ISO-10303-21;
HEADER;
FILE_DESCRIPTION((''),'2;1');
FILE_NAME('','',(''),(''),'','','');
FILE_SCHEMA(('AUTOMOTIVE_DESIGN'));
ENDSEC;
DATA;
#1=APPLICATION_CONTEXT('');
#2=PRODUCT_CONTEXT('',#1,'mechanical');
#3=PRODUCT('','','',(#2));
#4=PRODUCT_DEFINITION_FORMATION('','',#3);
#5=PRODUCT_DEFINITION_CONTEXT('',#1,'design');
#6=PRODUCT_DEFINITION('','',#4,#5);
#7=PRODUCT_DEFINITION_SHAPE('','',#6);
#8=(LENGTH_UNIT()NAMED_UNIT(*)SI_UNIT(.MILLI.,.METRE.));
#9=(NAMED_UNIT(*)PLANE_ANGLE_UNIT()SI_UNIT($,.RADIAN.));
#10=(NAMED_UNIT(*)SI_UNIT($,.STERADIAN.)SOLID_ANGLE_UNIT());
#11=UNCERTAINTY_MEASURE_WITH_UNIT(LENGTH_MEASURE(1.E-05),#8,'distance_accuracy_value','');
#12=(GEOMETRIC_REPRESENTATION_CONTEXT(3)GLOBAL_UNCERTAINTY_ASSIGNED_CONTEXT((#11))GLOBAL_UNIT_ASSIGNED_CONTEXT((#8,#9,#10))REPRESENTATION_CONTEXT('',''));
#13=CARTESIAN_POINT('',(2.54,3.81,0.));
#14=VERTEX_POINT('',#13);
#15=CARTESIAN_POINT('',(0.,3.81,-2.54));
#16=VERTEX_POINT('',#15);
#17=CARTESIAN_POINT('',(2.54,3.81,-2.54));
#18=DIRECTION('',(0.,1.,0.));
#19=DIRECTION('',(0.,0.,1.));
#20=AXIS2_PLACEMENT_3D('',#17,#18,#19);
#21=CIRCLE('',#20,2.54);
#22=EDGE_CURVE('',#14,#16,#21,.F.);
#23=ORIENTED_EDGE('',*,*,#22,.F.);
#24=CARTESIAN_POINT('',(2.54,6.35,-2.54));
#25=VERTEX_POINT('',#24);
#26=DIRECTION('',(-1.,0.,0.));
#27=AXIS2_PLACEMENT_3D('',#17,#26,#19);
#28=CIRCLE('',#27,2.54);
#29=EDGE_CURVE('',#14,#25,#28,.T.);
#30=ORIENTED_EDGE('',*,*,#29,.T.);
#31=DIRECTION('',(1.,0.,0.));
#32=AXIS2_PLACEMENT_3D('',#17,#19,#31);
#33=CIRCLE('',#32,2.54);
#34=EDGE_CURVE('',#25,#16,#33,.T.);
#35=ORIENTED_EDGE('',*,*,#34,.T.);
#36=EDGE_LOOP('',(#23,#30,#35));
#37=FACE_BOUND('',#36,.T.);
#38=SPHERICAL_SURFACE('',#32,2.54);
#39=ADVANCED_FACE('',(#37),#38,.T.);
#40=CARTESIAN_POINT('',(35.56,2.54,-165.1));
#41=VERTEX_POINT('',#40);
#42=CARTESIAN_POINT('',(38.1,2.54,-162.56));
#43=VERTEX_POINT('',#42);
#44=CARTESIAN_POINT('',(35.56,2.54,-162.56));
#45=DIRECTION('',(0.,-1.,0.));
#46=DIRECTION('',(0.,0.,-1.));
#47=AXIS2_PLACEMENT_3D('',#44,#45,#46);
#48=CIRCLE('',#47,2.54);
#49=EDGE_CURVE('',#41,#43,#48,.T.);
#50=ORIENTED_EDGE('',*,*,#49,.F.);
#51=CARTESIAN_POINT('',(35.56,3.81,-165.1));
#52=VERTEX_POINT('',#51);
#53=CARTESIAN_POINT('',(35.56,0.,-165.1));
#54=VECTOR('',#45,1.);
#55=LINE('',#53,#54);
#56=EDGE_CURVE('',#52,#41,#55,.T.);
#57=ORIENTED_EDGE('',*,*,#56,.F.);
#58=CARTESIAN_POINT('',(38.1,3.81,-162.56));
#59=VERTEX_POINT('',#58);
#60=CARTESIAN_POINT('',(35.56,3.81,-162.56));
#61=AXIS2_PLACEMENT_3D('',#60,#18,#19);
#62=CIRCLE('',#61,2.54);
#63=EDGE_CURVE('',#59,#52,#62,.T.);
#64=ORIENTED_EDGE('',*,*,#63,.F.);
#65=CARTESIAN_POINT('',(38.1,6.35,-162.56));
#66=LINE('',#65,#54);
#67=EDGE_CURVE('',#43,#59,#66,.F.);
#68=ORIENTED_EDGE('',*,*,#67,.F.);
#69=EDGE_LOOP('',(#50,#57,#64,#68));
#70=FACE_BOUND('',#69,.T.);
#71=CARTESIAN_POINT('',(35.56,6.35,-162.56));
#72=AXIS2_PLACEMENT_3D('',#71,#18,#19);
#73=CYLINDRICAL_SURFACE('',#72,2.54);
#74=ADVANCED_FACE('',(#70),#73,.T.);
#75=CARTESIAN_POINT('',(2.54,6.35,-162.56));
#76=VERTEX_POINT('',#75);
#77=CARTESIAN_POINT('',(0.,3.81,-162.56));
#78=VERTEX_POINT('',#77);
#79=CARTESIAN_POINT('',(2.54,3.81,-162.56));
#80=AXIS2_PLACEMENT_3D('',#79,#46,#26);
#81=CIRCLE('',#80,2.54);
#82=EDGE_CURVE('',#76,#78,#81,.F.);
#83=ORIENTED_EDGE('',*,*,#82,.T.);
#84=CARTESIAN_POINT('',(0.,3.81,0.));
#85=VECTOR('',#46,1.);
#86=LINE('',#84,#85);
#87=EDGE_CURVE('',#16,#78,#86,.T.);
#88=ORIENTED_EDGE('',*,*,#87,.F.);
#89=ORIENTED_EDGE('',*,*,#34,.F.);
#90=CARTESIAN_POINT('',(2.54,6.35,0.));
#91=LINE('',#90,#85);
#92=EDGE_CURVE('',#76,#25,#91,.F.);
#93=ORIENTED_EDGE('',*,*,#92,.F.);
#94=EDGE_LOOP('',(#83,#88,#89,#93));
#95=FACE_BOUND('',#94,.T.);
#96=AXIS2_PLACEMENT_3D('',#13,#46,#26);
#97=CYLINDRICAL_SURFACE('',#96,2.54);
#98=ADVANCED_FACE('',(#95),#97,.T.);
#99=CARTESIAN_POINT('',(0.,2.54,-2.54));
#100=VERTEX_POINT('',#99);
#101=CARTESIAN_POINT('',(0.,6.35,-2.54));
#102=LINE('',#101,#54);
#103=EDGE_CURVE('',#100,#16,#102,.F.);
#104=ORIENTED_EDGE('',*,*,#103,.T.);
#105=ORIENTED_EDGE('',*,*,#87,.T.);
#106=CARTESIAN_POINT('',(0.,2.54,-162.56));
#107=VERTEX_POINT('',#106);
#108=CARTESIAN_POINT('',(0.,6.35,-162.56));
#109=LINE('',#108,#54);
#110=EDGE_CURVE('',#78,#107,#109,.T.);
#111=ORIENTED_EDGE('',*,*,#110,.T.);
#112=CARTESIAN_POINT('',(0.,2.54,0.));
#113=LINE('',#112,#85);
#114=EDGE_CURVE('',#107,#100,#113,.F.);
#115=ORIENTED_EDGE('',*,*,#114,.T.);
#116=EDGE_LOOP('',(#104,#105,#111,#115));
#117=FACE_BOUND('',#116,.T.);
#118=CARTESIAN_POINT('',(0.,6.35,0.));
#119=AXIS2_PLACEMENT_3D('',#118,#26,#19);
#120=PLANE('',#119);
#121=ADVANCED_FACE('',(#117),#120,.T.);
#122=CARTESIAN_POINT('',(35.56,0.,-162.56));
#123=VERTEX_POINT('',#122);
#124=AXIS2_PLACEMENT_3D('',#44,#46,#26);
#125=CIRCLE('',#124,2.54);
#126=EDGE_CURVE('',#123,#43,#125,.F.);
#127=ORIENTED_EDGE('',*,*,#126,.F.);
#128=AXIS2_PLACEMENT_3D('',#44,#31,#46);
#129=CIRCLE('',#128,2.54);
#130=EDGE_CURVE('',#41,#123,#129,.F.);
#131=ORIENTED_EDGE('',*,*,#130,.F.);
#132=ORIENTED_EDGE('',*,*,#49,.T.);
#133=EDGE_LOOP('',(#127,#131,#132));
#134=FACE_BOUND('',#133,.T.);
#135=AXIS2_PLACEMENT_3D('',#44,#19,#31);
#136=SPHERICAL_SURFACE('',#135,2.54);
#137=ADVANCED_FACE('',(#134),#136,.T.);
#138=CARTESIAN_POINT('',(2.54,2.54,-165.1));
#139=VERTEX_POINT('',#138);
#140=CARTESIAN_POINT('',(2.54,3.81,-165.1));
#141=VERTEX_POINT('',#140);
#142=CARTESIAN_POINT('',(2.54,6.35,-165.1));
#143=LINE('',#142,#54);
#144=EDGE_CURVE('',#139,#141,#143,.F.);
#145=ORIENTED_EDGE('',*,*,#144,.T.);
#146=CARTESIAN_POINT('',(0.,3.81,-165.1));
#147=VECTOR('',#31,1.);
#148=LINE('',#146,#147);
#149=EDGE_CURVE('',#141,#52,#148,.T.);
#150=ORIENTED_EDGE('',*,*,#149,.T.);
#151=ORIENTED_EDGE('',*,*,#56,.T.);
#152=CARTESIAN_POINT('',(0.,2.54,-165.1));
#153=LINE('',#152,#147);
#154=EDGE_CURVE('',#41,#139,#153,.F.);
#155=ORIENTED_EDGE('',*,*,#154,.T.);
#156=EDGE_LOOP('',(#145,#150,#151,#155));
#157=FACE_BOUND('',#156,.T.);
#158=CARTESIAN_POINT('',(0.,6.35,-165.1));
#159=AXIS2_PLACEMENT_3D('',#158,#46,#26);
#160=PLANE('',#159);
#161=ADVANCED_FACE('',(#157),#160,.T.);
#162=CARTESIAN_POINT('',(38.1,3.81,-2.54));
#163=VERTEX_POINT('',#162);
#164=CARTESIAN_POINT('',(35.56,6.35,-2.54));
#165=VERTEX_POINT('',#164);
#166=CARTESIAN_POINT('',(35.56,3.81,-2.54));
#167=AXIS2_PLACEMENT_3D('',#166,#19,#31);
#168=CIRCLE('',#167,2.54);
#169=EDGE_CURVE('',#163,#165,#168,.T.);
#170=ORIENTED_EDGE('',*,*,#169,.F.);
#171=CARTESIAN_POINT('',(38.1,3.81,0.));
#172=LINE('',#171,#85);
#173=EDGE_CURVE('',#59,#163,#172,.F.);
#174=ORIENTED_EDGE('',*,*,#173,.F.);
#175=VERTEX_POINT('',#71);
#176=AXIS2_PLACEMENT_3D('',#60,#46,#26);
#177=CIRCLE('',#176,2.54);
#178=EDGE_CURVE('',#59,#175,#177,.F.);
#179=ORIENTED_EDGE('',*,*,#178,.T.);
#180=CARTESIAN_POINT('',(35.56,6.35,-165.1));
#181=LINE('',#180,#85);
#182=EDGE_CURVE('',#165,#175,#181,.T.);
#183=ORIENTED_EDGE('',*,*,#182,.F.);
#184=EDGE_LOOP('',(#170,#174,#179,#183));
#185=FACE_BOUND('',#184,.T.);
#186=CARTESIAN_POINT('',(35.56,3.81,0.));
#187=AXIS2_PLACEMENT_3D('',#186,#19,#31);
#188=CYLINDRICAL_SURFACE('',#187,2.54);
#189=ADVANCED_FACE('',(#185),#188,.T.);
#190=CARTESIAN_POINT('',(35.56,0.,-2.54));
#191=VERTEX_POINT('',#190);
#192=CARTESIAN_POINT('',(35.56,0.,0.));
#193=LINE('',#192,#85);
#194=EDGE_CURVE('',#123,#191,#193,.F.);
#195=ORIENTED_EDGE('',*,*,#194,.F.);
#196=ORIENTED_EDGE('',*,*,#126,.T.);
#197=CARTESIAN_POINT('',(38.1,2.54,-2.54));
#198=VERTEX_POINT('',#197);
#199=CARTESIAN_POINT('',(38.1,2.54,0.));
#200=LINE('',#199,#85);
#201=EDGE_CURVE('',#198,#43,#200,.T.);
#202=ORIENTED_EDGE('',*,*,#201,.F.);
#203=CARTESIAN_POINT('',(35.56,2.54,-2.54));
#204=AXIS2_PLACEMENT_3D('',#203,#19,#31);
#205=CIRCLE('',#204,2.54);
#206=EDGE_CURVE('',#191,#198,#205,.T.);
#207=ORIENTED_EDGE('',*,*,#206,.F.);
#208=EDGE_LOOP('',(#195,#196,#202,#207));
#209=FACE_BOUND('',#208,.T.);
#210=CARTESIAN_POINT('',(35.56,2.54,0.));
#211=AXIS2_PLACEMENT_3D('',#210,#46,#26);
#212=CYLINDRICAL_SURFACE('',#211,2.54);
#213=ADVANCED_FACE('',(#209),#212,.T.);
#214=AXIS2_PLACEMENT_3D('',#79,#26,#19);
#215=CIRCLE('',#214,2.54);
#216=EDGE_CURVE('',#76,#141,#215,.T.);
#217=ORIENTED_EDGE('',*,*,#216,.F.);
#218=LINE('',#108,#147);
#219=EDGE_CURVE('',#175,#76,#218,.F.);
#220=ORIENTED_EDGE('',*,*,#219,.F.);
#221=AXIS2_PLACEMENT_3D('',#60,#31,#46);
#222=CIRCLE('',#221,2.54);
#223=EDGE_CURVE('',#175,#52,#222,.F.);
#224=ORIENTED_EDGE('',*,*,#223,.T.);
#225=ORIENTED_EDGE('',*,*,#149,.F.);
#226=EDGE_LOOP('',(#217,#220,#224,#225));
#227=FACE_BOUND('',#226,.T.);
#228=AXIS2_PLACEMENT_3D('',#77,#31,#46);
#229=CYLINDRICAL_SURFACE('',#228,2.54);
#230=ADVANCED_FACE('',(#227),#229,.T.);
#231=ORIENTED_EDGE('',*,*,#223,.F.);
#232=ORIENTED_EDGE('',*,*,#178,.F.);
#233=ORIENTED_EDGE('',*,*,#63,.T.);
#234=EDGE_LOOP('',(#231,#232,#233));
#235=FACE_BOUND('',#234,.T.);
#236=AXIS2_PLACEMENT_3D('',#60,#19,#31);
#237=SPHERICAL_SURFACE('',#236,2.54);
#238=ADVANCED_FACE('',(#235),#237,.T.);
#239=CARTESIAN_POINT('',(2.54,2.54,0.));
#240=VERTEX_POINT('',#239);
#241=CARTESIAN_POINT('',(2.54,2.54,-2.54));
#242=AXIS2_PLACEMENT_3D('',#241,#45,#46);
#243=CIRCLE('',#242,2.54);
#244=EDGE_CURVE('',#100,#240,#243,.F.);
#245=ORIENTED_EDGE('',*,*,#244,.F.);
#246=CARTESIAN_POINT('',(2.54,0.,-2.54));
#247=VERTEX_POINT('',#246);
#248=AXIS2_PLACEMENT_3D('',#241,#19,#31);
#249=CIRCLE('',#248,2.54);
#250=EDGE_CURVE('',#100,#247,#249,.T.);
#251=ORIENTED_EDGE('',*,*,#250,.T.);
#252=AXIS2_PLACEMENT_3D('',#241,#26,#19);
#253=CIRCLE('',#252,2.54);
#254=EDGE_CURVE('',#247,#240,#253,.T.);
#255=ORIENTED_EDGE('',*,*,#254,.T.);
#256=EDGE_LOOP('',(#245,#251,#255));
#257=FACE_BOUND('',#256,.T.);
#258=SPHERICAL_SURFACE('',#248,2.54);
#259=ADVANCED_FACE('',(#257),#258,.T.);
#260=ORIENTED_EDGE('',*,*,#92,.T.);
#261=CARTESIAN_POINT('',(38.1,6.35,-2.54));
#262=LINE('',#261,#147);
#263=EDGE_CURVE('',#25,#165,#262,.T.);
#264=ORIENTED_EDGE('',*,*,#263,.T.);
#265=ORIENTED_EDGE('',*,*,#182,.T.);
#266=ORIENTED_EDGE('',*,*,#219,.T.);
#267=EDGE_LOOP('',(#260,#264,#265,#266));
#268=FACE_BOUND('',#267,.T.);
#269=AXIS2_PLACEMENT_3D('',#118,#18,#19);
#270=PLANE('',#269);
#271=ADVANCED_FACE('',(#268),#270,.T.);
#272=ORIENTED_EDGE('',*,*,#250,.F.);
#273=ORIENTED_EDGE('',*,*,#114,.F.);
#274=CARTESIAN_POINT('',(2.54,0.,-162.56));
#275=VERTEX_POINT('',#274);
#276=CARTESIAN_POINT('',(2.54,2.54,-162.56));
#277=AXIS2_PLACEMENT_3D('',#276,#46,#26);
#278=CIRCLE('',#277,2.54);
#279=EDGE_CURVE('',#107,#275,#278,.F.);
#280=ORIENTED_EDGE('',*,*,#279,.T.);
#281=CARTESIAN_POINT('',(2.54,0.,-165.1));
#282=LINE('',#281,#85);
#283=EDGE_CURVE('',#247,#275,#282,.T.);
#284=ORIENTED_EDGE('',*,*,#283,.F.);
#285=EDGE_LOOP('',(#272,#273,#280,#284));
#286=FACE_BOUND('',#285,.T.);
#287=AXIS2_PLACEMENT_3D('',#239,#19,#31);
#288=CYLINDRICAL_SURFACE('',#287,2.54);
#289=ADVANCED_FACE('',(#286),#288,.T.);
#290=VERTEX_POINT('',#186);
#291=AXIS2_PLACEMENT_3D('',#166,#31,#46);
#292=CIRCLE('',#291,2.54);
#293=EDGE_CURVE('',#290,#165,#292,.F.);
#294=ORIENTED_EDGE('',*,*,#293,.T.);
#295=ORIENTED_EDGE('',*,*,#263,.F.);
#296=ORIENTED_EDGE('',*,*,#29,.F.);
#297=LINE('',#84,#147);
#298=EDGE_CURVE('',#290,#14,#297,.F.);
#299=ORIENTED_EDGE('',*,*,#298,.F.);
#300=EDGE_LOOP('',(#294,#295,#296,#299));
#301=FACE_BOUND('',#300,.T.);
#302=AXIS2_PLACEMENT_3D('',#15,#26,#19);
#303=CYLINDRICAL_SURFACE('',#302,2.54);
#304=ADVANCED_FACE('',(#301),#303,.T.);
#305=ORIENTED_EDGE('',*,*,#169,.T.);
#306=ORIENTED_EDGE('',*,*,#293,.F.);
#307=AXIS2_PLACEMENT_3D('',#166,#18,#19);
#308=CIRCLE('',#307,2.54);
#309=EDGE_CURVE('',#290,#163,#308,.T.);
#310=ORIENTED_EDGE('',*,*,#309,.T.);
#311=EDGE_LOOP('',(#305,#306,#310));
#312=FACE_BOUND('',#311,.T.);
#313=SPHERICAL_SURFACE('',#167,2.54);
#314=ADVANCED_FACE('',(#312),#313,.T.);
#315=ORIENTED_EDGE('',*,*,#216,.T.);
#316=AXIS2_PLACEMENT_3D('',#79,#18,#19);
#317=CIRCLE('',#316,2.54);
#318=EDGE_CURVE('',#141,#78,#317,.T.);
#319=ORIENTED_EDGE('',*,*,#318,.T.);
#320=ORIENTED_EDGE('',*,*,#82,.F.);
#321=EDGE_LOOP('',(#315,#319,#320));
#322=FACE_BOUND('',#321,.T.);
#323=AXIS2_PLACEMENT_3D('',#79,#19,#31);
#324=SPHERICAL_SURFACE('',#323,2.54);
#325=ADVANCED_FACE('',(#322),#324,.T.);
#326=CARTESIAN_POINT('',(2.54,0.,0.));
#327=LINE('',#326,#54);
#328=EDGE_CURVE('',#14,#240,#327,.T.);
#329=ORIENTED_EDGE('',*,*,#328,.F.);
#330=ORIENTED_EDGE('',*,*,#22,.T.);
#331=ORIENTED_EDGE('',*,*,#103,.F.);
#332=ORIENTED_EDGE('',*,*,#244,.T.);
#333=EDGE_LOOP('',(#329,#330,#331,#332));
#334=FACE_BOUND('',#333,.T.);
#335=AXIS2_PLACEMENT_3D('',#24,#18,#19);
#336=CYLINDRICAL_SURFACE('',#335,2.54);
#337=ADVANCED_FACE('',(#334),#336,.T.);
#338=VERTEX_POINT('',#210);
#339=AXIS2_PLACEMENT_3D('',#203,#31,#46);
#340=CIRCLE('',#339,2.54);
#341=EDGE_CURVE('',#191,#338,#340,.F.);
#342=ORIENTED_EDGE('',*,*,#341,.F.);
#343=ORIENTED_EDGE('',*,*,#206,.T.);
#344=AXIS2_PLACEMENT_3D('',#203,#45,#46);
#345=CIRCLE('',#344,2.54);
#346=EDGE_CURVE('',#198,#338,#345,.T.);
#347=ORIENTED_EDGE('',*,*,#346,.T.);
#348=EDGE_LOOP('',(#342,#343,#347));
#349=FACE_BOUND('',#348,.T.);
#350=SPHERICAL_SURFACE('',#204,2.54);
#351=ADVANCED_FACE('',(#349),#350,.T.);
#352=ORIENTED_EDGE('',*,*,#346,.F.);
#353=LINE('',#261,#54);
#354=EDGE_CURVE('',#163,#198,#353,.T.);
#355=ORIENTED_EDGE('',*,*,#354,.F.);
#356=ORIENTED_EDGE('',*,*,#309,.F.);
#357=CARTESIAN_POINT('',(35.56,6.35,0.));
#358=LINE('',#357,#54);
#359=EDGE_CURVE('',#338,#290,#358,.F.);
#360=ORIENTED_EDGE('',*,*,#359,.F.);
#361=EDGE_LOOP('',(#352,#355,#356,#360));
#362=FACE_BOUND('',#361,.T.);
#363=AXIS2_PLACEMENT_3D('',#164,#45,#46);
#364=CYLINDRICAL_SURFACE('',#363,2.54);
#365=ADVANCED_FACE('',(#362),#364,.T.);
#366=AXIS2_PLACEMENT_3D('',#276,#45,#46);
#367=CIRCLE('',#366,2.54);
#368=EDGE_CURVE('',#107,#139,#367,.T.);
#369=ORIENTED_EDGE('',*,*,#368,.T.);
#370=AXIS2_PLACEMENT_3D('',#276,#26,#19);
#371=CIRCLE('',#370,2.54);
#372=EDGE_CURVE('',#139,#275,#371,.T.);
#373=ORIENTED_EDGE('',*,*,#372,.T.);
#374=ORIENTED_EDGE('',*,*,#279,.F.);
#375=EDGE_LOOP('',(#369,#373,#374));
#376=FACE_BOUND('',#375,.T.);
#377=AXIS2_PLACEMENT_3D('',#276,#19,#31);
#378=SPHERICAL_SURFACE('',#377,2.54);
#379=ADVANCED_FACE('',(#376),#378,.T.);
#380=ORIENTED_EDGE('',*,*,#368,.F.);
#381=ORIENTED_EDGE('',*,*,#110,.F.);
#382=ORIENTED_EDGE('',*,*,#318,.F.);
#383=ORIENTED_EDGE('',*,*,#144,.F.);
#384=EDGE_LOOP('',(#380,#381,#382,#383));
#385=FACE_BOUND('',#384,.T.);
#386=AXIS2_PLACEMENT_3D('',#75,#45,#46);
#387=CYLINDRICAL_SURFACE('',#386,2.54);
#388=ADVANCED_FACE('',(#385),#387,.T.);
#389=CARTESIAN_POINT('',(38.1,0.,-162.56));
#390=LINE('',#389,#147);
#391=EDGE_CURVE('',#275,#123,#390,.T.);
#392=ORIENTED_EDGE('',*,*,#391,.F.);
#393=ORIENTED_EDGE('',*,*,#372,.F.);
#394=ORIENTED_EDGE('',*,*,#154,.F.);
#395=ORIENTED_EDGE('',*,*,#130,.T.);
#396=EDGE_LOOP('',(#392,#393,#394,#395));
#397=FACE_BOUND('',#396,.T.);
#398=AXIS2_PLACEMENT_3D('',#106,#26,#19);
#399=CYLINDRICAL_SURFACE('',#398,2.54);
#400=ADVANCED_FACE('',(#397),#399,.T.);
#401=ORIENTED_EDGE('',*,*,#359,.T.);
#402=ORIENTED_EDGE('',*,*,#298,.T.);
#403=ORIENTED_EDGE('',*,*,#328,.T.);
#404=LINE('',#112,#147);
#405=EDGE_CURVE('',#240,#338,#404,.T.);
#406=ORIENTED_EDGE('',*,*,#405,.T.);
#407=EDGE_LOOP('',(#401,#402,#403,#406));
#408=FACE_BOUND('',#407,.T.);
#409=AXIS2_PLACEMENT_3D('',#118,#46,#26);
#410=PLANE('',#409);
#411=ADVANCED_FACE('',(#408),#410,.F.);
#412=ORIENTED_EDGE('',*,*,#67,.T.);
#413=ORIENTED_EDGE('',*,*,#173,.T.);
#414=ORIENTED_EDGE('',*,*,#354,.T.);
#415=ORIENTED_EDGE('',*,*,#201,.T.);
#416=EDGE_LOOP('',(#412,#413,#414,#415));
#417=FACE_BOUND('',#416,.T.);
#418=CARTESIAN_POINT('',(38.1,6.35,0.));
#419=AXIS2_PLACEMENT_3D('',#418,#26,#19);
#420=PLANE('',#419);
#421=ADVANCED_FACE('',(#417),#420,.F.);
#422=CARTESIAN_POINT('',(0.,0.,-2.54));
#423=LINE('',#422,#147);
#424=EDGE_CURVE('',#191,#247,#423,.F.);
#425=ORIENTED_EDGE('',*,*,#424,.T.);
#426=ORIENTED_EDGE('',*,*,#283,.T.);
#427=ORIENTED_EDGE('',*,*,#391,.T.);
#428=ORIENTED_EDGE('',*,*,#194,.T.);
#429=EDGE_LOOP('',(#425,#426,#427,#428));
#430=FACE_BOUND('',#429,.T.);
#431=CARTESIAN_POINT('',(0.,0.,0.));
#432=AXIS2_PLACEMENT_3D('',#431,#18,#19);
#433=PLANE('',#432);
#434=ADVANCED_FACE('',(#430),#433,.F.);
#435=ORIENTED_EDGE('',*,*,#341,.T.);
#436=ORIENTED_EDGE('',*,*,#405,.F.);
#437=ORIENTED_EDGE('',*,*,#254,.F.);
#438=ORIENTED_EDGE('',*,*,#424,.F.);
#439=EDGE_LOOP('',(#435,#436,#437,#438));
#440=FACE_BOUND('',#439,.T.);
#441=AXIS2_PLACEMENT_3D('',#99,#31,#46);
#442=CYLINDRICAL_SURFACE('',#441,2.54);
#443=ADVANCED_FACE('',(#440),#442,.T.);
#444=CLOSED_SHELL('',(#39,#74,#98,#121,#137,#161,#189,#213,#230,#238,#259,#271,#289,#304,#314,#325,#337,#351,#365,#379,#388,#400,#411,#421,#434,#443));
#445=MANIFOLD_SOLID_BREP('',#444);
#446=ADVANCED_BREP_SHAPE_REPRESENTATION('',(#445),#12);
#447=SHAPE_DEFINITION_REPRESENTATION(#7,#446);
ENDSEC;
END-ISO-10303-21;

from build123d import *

# Parameters (mm, degrees)
SKETCH1_W           = 38.1
SKETCH1_H           = 165.1
BOSS_EXTRUDE1_DEPTH = 6.35
FILLET1_R           = 2.54


with BuildPart() as part:
    # Sketch1 → Boss-Extrude1 (new body)
    with BuildSketch(Plane(origin=(0, 0, 0), x_dir=(1, 0, 0), z_dir=(0, 1, 0))):
        with Locations((19.05, 82.55)):
            Rectangle(SKETCH1_W, SKETCH1_H)
    extrude(amount=BOSS_EXTRUDE1_DEPTH)

    # Fillet1
    fillet1_edges = [part.edges().sort_by_distance(p)[0] for p in [
        (19.05, 6.35, 0),
        (0, 6.35, -82.55),
        (19.05, 6.35, -165.1),
        (0, 0, -82.55),
        (19.05, 0, 0),
        (38.1, 0, -82.55),
        (19.05, 0, -165.1),
        (0, 3.175, -165.1),
        (0, 3.175, 0),
        (38.1, 3.175, 0),
        (38.1, 3.175, -165.1),
        (38.1, 6.35, -82.55),
    ]]
    fillet(fillet1_edges, radius=FILLET1_R)


solid = part.part
